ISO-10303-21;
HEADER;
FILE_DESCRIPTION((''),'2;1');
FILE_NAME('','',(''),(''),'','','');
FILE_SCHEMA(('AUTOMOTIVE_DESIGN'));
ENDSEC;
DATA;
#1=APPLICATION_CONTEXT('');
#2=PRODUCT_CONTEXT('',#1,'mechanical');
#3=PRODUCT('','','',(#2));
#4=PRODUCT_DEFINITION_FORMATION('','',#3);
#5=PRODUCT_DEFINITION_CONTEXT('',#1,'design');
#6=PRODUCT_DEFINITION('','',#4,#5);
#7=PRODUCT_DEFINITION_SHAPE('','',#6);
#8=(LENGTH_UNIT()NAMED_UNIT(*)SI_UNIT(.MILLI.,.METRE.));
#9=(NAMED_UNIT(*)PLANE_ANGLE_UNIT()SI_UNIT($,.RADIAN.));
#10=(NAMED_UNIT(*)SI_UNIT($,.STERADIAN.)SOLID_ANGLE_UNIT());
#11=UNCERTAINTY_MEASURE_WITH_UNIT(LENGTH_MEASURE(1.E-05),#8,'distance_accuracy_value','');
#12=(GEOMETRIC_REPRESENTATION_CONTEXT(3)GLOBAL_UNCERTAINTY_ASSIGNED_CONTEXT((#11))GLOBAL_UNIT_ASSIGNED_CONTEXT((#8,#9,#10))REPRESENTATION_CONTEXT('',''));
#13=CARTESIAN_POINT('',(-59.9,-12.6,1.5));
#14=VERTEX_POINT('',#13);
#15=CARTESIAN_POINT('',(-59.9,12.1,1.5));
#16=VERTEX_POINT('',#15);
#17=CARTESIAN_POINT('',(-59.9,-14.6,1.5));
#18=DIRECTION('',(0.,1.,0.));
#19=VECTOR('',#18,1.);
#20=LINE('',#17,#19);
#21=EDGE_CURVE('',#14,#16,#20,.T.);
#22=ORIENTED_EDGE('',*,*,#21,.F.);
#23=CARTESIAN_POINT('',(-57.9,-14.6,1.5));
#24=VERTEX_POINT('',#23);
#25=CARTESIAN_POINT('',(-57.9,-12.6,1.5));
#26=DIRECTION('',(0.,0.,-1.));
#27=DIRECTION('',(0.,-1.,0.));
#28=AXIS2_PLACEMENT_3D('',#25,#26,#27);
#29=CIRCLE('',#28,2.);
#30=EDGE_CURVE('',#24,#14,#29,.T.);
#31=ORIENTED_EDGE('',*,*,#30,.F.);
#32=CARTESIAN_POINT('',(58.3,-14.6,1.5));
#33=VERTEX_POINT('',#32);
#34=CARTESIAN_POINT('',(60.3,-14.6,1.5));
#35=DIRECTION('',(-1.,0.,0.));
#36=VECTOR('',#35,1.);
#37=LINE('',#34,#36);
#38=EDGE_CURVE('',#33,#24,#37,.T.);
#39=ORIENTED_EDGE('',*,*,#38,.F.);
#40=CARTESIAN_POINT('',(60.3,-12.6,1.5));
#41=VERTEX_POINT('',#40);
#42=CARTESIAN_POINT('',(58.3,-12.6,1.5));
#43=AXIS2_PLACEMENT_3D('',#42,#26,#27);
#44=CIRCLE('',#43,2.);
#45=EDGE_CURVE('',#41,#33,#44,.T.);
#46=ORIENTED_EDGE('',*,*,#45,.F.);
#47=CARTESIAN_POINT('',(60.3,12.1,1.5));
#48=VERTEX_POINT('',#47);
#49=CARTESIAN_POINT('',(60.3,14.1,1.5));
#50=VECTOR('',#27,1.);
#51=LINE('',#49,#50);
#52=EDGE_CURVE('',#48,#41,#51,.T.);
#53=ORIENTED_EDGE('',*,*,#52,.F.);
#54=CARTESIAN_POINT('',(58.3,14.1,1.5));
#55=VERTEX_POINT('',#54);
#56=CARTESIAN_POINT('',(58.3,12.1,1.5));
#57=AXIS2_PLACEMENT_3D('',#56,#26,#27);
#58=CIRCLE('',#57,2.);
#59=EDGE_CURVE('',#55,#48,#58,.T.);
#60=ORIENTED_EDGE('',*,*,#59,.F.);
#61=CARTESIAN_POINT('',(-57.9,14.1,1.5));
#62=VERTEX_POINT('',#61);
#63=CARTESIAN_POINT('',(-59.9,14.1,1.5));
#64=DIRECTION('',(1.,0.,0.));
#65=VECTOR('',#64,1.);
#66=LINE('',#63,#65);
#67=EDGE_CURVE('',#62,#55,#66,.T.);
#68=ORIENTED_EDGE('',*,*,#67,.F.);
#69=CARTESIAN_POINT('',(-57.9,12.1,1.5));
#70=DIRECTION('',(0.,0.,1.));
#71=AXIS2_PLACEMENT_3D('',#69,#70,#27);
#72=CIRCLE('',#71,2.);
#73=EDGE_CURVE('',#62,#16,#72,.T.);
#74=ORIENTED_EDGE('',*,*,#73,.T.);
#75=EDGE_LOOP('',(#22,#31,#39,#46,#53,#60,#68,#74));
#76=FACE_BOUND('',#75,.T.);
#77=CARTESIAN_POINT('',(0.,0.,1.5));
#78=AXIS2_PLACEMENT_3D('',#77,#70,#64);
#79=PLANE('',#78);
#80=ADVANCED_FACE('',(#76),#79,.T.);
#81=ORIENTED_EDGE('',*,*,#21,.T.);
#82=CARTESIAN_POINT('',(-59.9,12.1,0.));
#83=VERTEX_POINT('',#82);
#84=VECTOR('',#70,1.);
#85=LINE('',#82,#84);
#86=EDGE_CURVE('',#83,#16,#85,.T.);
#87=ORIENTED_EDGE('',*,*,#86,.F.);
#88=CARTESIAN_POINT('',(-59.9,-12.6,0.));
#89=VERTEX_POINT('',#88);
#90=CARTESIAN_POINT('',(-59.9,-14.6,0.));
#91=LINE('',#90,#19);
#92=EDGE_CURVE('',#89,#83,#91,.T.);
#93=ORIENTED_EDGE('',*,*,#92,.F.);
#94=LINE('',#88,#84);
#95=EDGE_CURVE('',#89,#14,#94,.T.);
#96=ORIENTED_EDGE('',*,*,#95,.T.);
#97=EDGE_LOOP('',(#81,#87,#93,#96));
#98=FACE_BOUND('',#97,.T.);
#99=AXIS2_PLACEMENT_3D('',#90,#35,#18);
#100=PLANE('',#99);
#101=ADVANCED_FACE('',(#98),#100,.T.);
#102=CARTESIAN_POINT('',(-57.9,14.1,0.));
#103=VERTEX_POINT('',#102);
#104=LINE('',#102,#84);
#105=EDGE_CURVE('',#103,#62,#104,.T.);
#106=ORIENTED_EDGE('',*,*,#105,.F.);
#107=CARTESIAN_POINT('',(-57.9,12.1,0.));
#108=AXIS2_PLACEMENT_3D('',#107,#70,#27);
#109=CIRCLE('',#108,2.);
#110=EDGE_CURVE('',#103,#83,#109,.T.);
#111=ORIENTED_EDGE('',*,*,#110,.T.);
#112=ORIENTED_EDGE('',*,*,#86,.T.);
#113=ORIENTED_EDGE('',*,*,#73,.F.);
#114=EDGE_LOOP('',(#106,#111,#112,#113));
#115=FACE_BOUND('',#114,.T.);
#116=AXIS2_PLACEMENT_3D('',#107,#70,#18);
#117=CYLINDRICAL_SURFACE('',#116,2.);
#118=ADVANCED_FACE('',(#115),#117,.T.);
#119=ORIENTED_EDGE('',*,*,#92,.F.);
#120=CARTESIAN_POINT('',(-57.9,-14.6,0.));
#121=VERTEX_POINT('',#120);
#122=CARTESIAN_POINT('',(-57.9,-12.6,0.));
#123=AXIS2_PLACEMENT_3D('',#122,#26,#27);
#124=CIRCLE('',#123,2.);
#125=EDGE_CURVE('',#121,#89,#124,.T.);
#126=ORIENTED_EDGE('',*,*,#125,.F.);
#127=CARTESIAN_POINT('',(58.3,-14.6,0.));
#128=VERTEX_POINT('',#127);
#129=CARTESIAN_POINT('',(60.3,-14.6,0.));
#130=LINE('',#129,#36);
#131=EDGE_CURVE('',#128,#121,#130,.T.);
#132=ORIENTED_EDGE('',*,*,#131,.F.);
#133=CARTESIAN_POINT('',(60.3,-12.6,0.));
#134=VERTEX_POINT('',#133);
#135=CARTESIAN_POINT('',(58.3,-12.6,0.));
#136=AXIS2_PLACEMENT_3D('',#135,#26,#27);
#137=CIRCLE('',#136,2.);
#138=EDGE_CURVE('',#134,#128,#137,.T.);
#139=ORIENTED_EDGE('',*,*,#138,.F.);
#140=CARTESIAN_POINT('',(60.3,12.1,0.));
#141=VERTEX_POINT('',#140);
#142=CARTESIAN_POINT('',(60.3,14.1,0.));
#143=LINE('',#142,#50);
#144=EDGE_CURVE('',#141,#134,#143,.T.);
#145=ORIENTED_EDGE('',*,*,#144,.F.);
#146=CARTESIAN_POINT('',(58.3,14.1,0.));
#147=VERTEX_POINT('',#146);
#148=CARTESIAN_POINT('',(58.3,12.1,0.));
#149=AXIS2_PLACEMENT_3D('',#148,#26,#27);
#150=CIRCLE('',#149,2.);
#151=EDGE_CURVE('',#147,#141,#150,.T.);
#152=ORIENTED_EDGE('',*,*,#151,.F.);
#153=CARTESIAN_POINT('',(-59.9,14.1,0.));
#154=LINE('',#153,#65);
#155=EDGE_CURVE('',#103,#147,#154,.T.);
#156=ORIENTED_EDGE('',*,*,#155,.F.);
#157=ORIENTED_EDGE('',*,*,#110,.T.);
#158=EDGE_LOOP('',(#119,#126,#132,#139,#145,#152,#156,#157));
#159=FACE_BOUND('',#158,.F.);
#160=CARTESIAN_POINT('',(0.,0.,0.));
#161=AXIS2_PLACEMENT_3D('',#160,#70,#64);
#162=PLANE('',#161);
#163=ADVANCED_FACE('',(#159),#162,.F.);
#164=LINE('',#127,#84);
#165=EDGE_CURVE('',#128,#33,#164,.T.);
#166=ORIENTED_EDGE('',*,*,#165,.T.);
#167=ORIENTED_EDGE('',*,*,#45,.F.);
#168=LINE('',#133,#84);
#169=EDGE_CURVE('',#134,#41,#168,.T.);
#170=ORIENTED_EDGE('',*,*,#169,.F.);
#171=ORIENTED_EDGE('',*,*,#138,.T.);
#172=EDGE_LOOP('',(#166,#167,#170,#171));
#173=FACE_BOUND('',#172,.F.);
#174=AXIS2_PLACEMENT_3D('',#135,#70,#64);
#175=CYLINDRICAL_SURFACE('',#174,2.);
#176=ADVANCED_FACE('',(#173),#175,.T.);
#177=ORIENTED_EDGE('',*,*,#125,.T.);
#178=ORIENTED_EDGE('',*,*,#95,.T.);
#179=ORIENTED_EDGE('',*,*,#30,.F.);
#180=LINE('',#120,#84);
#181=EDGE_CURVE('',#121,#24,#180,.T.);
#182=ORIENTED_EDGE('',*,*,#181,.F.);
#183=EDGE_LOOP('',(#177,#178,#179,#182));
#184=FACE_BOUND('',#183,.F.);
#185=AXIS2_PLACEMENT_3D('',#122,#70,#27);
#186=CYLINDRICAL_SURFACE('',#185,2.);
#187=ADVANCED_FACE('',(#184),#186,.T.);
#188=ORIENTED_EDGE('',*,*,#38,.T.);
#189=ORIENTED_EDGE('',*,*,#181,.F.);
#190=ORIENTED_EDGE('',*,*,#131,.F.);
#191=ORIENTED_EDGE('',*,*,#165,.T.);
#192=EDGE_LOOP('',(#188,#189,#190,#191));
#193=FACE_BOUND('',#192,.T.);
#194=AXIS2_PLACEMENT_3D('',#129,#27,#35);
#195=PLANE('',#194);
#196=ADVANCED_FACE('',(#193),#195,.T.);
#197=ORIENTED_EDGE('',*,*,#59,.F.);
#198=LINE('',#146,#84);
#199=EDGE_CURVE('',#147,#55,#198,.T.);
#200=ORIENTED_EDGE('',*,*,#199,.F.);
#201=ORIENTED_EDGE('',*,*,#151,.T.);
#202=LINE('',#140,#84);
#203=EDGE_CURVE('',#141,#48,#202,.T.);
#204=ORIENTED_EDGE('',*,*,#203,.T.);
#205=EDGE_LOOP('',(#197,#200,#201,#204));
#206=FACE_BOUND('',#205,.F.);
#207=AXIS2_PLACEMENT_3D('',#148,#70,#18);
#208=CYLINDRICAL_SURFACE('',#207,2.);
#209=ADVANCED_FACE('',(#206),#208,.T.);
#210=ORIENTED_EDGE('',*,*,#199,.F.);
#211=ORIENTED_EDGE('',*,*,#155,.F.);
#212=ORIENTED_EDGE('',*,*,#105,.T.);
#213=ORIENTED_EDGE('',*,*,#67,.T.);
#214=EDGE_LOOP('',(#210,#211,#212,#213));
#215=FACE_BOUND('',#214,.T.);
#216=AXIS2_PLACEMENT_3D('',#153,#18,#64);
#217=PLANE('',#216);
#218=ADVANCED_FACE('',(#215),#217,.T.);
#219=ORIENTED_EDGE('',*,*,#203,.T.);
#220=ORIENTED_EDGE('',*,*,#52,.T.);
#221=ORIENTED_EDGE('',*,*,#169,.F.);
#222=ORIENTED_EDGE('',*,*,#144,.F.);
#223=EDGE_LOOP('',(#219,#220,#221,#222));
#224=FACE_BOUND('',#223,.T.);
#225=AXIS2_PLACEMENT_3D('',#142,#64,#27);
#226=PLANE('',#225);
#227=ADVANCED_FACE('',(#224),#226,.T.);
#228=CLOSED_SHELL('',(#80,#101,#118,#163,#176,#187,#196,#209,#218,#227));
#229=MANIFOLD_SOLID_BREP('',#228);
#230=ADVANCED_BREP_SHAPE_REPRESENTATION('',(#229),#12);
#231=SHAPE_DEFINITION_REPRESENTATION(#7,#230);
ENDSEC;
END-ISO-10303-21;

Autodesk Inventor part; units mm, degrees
ref_plane "YZ Plane" through (0, 0, 0) normal (1, 0, 0) x (0, 1, 0)
ref_plane "XZ Plane" through (0, 0, 0) normal (0, 1, 0) x (-1, 0, 0)
ref_plane "XY Plane" through (0, 0, 0) normal (0, 0, 1) x (1, 0, 0)
sketch "Sketch1" plane through (0, 0, 0) normal (0, 0, 1) x (1, 0, 0)
  line L0 (-59.9, 14.1) -> (60.3, 14.1)
  line L1 (60.3, 14.1) -> (60.3, -14.6)
  line L2 (60.3, -14.6) -> (-59.9, -14.6)
  line L3 (-59.9, -14.6) -> (-59.9, 14.1)
  point P0 (0, 0)
  dimension "d0" = 120.2
  dimension "d1" = 28.7
  dimension "d2" = 59.9
  dimension "d3" = 14.1
extrude "Extrusion1" add sketch "Sketch1" along normal blind 1.5
fillet "Fillet1" radius 2 4 edges at (-59.9, 14.1, 0.75) (60.3, 14.1, 0.75) (60.3, -14.6, 0.75) (-59.9, -14.6, 0.75)
properties part number "back_panel"
